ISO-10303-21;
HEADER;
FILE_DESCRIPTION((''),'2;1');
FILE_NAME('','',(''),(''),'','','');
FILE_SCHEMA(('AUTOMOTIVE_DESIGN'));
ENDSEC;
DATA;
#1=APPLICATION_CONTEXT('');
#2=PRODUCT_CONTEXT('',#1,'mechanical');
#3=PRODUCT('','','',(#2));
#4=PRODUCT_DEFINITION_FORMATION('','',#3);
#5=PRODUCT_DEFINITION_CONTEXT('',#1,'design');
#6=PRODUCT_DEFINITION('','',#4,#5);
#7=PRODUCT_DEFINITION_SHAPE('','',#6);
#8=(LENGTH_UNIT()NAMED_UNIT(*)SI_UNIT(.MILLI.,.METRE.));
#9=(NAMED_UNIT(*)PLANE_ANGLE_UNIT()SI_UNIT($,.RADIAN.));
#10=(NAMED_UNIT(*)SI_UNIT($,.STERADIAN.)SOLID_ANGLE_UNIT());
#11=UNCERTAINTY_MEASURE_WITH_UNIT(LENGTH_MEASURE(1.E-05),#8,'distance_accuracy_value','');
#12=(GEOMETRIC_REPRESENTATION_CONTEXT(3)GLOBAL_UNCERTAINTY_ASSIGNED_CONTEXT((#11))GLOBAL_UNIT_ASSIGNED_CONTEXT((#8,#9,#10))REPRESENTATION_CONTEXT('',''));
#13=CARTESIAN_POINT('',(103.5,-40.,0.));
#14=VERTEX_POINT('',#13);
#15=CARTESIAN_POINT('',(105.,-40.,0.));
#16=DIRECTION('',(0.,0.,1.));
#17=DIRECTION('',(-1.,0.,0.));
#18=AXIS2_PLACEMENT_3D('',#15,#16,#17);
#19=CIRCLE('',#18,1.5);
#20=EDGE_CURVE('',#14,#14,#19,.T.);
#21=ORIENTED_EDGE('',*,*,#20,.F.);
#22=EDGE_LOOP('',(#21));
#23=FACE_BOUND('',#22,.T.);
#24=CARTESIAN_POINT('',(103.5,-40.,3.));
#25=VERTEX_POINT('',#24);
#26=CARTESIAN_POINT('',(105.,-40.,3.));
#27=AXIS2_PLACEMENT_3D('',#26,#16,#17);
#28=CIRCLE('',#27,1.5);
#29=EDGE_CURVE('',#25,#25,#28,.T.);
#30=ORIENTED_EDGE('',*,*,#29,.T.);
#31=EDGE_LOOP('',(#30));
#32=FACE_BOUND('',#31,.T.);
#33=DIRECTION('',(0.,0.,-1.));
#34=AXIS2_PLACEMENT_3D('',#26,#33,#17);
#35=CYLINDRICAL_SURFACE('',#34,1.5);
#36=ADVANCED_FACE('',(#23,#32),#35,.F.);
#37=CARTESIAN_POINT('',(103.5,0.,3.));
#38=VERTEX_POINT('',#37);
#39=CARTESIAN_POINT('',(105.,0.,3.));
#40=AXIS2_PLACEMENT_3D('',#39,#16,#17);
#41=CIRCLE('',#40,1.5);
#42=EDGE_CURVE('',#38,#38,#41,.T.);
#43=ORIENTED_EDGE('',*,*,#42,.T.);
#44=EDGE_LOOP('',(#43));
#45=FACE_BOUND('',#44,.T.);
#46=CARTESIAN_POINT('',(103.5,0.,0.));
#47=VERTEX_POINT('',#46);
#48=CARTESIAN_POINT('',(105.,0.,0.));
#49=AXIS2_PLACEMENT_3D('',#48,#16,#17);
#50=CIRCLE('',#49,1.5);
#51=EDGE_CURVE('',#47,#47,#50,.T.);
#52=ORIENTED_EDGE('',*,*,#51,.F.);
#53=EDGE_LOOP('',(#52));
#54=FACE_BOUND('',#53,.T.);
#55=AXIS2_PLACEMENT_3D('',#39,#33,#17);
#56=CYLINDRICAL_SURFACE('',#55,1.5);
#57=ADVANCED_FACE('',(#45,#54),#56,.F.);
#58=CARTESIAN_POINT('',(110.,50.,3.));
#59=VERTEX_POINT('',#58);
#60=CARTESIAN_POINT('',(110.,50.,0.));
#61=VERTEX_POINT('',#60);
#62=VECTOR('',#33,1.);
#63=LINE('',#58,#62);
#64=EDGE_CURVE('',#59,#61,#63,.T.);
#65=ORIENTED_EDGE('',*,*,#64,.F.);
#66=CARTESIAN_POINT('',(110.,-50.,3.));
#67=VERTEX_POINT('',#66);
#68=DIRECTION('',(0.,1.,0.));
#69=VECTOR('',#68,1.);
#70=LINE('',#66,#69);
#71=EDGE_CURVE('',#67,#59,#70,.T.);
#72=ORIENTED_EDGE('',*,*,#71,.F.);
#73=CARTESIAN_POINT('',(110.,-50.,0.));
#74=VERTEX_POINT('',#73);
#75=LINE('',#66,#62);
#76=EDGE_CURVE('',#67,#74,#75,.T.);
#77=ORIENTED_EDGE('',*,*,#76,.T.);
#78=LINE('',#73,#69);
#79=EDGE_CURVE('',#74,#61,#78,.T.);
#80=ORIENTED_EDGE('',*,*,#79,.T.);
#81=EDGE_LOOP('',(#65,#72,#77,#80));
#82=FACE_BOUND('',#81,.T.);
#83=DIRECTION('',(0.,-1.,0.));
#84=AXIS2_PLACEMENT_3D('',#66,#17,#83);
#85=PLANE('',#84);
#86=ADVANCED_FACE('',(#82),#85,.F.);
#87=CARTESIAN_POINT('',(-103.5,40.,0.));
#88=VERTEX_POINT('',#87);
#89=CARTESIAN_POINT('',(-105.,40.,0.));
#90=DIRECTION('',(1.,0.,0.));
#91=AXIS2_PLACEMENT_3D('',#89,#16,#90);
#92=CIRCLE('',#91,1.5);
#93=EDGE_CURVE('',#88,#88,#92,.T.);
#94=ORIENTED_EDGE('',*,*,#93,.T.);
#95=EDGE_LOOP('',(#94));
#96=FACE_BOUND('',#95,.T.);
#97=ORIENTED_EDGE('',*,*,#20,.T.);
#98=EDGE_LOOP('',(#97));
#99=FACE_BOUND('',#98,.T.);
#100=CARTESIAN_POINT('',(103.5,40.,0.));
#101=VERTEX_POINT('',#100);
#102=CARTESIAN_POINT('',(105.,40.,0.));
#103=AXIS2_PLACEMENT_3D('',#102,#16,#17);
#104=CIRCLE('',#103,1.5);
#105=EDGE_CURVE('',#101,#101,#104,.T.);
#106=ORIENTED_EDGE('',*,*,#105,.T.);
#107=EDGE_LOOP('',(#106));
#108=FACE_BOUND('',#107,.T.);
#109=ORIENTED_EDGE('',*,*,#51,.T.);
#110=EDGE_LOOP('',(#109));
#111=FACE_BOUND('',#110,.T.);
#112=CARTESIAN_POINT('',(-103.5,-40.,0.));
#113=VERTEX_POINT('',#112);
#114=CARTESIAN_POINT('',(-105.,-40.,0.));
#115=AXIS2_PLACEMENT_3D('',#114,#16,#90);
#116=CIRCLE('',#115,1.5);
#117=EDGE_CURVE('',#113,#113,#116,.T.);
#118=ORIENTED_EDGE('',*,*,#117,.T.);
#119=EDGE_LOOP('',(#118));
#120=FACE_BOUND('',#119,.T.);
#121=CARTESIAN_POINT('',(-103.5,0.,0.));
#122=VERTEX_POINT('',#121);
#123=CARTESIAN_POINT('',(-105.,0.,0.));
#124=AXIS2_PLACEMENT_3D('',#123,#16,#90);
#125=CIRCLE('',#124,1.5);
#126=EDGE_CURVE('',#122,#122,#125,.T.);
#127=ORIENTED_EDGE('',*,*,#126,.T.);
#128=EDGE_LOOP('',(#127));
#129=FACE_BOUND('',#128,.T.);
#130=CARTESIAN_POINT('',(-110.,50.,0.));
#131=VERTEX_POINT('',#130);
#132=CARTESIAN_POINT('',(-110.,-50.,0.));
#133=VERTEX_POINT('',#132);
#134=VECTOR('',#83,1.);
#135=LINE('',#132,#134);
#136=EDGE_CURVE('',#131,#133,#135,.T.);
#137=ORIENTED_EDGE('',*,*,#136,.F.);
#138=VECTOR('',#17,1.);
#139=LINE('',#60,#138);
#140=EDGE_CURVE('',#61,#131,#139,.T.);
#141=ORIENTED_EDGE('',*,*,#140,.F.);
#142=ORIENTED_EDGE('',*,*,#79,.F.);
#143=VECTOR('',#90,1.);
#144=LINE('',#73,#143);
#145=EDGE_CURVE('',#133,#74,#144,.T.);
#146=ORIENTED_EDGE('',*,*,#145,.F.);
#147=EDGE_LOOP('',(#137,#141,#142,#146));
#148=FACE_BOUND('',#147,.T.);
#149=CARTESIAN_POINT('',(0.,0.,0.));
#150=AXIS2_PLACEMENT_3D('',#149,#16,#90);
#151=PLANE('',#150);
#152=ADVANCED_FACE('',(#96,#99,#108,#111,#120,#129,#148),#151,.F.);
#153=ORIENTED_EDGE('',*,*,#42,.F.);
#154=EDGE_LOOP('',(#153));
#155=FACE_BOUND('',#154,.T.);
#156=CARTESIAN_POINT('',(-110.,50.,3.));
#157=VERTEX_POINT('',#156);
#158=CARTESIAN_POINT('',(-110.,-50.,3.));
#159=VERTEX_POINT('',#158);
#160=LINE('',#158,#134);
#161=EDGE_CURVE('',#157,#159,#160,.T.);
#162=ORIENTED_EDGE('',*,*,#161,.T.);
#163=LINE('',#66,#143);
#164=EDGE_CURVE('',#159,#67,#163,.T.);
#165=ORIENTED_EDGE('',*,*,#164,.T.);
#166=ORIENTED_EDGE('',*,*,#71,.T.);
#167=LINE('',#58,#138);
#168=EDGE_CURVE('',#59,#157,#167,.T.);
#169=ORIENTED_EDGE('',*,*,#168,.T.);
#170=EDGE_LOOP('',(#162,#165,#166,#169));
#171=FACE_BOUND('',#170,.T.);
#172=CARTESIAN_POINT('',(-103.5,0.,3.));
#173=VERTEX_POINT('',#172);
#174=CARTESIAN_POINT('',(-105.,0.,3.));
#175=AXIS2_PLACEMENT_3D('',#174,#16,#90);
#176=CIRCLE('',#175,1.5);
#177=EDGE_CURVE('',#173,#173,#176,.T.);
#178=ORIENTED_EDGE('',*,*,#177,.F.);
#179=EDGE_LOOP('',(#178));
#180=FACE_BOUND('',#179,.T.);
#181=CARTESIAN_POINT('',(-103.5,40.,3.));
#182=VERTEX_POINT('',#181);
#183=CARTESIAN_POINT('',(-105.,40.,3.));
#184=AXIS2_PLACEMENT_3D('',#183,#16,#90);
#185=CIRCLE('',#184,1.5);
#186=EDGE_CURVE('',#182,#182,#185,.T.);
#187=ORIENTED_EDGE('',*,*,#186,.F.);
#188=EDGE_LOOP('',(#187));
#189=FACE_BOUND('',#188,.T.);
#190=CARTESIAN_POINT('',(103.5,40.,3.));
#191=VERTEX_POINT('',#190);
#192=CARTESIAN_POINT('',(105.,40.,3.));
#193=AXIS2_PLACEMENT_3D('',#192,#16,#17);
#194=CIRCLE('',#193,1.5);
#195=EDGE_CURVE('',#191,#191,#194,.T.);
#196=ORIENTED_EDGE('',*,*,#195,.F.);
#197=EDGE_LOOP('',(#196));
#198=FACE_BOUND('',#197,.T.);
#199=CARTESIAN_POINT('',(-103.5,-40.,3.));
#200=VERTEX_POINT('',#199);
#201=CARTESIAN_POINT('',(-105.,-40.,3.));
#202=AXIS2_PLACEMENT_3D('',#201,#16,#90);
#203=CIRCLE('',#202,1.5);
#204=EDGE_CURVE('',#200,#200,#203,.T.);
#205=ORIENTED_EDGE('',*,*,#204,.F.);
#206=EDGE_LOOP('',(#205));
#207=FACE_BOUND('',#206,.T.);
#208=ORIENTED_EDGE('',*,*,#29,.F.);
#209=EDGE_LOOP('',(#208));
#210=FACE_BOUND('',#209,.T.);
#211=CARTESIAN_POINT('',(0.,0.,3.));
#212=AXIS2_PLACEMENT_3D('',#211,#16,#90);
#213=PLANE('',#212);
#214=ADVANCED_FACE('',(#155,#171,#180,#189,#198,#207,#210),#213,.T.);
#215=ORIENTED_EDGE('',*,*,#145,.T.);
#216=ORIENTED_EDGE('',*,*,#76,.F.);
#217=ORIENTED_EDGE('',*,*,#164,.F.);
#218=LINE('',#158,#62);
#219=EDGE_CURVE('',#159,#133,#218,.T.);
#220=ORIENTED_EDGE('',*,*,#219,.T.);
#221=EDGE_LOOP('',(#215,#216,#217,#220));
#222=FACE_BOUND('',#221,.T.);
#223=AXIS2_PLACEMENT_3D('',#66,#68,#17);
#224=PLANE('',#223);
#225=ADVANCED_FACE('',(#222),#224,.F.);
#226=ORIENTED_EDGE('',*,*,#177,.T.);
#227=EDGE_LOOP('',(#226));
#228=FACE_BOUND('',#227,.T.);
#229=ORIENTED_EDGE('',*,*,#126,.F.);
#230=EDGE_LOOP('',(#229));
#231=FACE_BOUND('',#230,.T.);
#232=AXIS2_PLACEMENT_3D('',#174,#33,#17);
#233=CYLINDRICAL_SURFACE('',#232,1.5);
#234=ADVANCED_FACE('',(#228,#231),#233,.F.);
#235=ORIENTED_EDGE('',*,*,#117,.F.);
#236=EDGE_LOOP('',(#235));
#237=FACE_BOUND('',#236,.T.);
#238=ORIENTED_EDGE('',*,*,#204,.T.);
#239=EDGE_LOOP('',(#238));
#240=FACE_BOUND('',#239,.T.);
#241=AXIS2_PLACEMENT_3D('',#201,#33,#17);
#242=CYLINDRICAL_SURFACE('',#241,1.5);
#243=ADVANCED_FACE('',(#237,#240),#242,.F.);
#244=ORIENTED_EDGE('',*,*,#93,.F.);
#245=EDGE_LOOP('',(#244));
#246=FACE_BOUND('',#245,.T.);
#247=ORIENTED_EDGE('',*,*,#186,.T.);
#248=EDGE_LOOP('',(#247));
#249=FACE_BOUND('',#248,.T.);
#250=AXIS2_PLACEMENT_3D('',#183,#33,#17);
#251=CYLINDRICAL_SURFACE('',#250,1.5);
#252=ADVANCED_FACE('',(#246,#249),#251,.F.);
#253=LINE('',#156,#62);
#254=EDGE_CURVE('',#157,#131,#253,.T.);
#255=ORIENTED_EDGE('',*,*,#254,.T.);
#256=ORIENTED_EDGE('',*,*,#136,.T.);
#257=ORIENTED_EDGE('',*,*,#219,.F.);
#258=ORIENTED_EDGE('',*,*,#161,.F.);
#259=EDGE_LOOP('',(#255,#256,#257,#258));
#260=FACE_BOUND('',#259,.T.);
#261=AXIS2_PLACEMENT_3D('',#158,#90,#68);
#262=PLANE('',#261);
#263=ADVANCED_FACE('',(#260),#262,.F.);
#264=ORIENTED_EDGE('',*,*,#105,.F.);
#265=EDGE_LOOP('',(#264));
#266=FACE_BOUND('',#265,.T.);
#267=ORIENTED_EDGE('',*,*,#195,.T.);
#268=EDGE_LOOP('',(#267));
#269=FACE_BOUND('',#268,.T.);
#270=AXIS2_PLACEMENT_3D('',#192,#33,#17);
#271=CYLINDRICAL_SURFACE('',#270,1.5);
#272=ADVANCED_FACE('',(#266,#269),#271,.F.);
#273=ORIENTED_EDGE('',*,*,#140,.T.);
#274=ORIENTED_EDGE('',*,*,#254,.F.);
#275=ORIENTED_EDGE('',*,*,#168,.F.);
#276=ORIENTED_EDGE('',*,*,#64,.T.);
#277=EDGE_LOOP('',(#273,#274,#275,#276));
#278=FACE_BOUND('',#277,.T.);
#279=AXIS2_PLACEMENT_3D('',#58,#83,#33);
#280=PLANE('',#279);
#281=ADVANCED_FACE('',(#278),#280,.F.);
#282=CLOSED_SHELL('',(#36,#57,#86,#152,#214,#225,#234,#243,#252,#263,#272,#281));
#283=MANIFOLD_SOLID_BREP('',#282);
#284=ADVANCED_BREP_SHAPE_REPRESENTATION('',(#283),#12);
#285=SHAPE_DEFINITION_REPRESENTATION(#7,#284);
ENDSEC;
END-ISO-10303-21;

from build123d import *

# Parameters (mm, degrees)
ESQUISSE1_W        = 220
ESQUISSE1_H        = 100
ESQUISSE1_R        = 1.5
BOSS_EXTRU_1_DEPTH = 3


with BuildPart() as part:
    # Esquisse1 → Boss.-Extru.1 (new body)
    with BuildSketch(Plane.XY):
        Rectangle(ESQUISSE1_W, ESQUISSE1_H)
        with Locations((-105, -40)):
            Circle(ESQUISSE1_R, mode=Mode.SUBTRACT)
        with Locations((-105, 0)):
            Circle(ESQUISSE1_R, mode=Mode.SUBTRACT)
        with Locations((-105, 40)):
            Circle(ESQUISSE1_R, mode=Mode.SUBTRACT)
        with Locations(Location((105, 40, 0), (0, 0, 180))):
            Circle(ESQUISSE1_R, mode=Mode.SUBTRACT)
        with Locations(Location((105, 0, 0), (0, 0, 180))):
            Circle(ESQUISSE1_R, mode=Mode.SUBTRACT)
        with Locations(Location((105, -40, 0), (0, 0, 180))):
            Circle(ESQUISSE1_R, mode=Mode.SUBTRACT)
    extrude(amount=BOSS_EXTRU_1_DEPTH)


solid = part.part
